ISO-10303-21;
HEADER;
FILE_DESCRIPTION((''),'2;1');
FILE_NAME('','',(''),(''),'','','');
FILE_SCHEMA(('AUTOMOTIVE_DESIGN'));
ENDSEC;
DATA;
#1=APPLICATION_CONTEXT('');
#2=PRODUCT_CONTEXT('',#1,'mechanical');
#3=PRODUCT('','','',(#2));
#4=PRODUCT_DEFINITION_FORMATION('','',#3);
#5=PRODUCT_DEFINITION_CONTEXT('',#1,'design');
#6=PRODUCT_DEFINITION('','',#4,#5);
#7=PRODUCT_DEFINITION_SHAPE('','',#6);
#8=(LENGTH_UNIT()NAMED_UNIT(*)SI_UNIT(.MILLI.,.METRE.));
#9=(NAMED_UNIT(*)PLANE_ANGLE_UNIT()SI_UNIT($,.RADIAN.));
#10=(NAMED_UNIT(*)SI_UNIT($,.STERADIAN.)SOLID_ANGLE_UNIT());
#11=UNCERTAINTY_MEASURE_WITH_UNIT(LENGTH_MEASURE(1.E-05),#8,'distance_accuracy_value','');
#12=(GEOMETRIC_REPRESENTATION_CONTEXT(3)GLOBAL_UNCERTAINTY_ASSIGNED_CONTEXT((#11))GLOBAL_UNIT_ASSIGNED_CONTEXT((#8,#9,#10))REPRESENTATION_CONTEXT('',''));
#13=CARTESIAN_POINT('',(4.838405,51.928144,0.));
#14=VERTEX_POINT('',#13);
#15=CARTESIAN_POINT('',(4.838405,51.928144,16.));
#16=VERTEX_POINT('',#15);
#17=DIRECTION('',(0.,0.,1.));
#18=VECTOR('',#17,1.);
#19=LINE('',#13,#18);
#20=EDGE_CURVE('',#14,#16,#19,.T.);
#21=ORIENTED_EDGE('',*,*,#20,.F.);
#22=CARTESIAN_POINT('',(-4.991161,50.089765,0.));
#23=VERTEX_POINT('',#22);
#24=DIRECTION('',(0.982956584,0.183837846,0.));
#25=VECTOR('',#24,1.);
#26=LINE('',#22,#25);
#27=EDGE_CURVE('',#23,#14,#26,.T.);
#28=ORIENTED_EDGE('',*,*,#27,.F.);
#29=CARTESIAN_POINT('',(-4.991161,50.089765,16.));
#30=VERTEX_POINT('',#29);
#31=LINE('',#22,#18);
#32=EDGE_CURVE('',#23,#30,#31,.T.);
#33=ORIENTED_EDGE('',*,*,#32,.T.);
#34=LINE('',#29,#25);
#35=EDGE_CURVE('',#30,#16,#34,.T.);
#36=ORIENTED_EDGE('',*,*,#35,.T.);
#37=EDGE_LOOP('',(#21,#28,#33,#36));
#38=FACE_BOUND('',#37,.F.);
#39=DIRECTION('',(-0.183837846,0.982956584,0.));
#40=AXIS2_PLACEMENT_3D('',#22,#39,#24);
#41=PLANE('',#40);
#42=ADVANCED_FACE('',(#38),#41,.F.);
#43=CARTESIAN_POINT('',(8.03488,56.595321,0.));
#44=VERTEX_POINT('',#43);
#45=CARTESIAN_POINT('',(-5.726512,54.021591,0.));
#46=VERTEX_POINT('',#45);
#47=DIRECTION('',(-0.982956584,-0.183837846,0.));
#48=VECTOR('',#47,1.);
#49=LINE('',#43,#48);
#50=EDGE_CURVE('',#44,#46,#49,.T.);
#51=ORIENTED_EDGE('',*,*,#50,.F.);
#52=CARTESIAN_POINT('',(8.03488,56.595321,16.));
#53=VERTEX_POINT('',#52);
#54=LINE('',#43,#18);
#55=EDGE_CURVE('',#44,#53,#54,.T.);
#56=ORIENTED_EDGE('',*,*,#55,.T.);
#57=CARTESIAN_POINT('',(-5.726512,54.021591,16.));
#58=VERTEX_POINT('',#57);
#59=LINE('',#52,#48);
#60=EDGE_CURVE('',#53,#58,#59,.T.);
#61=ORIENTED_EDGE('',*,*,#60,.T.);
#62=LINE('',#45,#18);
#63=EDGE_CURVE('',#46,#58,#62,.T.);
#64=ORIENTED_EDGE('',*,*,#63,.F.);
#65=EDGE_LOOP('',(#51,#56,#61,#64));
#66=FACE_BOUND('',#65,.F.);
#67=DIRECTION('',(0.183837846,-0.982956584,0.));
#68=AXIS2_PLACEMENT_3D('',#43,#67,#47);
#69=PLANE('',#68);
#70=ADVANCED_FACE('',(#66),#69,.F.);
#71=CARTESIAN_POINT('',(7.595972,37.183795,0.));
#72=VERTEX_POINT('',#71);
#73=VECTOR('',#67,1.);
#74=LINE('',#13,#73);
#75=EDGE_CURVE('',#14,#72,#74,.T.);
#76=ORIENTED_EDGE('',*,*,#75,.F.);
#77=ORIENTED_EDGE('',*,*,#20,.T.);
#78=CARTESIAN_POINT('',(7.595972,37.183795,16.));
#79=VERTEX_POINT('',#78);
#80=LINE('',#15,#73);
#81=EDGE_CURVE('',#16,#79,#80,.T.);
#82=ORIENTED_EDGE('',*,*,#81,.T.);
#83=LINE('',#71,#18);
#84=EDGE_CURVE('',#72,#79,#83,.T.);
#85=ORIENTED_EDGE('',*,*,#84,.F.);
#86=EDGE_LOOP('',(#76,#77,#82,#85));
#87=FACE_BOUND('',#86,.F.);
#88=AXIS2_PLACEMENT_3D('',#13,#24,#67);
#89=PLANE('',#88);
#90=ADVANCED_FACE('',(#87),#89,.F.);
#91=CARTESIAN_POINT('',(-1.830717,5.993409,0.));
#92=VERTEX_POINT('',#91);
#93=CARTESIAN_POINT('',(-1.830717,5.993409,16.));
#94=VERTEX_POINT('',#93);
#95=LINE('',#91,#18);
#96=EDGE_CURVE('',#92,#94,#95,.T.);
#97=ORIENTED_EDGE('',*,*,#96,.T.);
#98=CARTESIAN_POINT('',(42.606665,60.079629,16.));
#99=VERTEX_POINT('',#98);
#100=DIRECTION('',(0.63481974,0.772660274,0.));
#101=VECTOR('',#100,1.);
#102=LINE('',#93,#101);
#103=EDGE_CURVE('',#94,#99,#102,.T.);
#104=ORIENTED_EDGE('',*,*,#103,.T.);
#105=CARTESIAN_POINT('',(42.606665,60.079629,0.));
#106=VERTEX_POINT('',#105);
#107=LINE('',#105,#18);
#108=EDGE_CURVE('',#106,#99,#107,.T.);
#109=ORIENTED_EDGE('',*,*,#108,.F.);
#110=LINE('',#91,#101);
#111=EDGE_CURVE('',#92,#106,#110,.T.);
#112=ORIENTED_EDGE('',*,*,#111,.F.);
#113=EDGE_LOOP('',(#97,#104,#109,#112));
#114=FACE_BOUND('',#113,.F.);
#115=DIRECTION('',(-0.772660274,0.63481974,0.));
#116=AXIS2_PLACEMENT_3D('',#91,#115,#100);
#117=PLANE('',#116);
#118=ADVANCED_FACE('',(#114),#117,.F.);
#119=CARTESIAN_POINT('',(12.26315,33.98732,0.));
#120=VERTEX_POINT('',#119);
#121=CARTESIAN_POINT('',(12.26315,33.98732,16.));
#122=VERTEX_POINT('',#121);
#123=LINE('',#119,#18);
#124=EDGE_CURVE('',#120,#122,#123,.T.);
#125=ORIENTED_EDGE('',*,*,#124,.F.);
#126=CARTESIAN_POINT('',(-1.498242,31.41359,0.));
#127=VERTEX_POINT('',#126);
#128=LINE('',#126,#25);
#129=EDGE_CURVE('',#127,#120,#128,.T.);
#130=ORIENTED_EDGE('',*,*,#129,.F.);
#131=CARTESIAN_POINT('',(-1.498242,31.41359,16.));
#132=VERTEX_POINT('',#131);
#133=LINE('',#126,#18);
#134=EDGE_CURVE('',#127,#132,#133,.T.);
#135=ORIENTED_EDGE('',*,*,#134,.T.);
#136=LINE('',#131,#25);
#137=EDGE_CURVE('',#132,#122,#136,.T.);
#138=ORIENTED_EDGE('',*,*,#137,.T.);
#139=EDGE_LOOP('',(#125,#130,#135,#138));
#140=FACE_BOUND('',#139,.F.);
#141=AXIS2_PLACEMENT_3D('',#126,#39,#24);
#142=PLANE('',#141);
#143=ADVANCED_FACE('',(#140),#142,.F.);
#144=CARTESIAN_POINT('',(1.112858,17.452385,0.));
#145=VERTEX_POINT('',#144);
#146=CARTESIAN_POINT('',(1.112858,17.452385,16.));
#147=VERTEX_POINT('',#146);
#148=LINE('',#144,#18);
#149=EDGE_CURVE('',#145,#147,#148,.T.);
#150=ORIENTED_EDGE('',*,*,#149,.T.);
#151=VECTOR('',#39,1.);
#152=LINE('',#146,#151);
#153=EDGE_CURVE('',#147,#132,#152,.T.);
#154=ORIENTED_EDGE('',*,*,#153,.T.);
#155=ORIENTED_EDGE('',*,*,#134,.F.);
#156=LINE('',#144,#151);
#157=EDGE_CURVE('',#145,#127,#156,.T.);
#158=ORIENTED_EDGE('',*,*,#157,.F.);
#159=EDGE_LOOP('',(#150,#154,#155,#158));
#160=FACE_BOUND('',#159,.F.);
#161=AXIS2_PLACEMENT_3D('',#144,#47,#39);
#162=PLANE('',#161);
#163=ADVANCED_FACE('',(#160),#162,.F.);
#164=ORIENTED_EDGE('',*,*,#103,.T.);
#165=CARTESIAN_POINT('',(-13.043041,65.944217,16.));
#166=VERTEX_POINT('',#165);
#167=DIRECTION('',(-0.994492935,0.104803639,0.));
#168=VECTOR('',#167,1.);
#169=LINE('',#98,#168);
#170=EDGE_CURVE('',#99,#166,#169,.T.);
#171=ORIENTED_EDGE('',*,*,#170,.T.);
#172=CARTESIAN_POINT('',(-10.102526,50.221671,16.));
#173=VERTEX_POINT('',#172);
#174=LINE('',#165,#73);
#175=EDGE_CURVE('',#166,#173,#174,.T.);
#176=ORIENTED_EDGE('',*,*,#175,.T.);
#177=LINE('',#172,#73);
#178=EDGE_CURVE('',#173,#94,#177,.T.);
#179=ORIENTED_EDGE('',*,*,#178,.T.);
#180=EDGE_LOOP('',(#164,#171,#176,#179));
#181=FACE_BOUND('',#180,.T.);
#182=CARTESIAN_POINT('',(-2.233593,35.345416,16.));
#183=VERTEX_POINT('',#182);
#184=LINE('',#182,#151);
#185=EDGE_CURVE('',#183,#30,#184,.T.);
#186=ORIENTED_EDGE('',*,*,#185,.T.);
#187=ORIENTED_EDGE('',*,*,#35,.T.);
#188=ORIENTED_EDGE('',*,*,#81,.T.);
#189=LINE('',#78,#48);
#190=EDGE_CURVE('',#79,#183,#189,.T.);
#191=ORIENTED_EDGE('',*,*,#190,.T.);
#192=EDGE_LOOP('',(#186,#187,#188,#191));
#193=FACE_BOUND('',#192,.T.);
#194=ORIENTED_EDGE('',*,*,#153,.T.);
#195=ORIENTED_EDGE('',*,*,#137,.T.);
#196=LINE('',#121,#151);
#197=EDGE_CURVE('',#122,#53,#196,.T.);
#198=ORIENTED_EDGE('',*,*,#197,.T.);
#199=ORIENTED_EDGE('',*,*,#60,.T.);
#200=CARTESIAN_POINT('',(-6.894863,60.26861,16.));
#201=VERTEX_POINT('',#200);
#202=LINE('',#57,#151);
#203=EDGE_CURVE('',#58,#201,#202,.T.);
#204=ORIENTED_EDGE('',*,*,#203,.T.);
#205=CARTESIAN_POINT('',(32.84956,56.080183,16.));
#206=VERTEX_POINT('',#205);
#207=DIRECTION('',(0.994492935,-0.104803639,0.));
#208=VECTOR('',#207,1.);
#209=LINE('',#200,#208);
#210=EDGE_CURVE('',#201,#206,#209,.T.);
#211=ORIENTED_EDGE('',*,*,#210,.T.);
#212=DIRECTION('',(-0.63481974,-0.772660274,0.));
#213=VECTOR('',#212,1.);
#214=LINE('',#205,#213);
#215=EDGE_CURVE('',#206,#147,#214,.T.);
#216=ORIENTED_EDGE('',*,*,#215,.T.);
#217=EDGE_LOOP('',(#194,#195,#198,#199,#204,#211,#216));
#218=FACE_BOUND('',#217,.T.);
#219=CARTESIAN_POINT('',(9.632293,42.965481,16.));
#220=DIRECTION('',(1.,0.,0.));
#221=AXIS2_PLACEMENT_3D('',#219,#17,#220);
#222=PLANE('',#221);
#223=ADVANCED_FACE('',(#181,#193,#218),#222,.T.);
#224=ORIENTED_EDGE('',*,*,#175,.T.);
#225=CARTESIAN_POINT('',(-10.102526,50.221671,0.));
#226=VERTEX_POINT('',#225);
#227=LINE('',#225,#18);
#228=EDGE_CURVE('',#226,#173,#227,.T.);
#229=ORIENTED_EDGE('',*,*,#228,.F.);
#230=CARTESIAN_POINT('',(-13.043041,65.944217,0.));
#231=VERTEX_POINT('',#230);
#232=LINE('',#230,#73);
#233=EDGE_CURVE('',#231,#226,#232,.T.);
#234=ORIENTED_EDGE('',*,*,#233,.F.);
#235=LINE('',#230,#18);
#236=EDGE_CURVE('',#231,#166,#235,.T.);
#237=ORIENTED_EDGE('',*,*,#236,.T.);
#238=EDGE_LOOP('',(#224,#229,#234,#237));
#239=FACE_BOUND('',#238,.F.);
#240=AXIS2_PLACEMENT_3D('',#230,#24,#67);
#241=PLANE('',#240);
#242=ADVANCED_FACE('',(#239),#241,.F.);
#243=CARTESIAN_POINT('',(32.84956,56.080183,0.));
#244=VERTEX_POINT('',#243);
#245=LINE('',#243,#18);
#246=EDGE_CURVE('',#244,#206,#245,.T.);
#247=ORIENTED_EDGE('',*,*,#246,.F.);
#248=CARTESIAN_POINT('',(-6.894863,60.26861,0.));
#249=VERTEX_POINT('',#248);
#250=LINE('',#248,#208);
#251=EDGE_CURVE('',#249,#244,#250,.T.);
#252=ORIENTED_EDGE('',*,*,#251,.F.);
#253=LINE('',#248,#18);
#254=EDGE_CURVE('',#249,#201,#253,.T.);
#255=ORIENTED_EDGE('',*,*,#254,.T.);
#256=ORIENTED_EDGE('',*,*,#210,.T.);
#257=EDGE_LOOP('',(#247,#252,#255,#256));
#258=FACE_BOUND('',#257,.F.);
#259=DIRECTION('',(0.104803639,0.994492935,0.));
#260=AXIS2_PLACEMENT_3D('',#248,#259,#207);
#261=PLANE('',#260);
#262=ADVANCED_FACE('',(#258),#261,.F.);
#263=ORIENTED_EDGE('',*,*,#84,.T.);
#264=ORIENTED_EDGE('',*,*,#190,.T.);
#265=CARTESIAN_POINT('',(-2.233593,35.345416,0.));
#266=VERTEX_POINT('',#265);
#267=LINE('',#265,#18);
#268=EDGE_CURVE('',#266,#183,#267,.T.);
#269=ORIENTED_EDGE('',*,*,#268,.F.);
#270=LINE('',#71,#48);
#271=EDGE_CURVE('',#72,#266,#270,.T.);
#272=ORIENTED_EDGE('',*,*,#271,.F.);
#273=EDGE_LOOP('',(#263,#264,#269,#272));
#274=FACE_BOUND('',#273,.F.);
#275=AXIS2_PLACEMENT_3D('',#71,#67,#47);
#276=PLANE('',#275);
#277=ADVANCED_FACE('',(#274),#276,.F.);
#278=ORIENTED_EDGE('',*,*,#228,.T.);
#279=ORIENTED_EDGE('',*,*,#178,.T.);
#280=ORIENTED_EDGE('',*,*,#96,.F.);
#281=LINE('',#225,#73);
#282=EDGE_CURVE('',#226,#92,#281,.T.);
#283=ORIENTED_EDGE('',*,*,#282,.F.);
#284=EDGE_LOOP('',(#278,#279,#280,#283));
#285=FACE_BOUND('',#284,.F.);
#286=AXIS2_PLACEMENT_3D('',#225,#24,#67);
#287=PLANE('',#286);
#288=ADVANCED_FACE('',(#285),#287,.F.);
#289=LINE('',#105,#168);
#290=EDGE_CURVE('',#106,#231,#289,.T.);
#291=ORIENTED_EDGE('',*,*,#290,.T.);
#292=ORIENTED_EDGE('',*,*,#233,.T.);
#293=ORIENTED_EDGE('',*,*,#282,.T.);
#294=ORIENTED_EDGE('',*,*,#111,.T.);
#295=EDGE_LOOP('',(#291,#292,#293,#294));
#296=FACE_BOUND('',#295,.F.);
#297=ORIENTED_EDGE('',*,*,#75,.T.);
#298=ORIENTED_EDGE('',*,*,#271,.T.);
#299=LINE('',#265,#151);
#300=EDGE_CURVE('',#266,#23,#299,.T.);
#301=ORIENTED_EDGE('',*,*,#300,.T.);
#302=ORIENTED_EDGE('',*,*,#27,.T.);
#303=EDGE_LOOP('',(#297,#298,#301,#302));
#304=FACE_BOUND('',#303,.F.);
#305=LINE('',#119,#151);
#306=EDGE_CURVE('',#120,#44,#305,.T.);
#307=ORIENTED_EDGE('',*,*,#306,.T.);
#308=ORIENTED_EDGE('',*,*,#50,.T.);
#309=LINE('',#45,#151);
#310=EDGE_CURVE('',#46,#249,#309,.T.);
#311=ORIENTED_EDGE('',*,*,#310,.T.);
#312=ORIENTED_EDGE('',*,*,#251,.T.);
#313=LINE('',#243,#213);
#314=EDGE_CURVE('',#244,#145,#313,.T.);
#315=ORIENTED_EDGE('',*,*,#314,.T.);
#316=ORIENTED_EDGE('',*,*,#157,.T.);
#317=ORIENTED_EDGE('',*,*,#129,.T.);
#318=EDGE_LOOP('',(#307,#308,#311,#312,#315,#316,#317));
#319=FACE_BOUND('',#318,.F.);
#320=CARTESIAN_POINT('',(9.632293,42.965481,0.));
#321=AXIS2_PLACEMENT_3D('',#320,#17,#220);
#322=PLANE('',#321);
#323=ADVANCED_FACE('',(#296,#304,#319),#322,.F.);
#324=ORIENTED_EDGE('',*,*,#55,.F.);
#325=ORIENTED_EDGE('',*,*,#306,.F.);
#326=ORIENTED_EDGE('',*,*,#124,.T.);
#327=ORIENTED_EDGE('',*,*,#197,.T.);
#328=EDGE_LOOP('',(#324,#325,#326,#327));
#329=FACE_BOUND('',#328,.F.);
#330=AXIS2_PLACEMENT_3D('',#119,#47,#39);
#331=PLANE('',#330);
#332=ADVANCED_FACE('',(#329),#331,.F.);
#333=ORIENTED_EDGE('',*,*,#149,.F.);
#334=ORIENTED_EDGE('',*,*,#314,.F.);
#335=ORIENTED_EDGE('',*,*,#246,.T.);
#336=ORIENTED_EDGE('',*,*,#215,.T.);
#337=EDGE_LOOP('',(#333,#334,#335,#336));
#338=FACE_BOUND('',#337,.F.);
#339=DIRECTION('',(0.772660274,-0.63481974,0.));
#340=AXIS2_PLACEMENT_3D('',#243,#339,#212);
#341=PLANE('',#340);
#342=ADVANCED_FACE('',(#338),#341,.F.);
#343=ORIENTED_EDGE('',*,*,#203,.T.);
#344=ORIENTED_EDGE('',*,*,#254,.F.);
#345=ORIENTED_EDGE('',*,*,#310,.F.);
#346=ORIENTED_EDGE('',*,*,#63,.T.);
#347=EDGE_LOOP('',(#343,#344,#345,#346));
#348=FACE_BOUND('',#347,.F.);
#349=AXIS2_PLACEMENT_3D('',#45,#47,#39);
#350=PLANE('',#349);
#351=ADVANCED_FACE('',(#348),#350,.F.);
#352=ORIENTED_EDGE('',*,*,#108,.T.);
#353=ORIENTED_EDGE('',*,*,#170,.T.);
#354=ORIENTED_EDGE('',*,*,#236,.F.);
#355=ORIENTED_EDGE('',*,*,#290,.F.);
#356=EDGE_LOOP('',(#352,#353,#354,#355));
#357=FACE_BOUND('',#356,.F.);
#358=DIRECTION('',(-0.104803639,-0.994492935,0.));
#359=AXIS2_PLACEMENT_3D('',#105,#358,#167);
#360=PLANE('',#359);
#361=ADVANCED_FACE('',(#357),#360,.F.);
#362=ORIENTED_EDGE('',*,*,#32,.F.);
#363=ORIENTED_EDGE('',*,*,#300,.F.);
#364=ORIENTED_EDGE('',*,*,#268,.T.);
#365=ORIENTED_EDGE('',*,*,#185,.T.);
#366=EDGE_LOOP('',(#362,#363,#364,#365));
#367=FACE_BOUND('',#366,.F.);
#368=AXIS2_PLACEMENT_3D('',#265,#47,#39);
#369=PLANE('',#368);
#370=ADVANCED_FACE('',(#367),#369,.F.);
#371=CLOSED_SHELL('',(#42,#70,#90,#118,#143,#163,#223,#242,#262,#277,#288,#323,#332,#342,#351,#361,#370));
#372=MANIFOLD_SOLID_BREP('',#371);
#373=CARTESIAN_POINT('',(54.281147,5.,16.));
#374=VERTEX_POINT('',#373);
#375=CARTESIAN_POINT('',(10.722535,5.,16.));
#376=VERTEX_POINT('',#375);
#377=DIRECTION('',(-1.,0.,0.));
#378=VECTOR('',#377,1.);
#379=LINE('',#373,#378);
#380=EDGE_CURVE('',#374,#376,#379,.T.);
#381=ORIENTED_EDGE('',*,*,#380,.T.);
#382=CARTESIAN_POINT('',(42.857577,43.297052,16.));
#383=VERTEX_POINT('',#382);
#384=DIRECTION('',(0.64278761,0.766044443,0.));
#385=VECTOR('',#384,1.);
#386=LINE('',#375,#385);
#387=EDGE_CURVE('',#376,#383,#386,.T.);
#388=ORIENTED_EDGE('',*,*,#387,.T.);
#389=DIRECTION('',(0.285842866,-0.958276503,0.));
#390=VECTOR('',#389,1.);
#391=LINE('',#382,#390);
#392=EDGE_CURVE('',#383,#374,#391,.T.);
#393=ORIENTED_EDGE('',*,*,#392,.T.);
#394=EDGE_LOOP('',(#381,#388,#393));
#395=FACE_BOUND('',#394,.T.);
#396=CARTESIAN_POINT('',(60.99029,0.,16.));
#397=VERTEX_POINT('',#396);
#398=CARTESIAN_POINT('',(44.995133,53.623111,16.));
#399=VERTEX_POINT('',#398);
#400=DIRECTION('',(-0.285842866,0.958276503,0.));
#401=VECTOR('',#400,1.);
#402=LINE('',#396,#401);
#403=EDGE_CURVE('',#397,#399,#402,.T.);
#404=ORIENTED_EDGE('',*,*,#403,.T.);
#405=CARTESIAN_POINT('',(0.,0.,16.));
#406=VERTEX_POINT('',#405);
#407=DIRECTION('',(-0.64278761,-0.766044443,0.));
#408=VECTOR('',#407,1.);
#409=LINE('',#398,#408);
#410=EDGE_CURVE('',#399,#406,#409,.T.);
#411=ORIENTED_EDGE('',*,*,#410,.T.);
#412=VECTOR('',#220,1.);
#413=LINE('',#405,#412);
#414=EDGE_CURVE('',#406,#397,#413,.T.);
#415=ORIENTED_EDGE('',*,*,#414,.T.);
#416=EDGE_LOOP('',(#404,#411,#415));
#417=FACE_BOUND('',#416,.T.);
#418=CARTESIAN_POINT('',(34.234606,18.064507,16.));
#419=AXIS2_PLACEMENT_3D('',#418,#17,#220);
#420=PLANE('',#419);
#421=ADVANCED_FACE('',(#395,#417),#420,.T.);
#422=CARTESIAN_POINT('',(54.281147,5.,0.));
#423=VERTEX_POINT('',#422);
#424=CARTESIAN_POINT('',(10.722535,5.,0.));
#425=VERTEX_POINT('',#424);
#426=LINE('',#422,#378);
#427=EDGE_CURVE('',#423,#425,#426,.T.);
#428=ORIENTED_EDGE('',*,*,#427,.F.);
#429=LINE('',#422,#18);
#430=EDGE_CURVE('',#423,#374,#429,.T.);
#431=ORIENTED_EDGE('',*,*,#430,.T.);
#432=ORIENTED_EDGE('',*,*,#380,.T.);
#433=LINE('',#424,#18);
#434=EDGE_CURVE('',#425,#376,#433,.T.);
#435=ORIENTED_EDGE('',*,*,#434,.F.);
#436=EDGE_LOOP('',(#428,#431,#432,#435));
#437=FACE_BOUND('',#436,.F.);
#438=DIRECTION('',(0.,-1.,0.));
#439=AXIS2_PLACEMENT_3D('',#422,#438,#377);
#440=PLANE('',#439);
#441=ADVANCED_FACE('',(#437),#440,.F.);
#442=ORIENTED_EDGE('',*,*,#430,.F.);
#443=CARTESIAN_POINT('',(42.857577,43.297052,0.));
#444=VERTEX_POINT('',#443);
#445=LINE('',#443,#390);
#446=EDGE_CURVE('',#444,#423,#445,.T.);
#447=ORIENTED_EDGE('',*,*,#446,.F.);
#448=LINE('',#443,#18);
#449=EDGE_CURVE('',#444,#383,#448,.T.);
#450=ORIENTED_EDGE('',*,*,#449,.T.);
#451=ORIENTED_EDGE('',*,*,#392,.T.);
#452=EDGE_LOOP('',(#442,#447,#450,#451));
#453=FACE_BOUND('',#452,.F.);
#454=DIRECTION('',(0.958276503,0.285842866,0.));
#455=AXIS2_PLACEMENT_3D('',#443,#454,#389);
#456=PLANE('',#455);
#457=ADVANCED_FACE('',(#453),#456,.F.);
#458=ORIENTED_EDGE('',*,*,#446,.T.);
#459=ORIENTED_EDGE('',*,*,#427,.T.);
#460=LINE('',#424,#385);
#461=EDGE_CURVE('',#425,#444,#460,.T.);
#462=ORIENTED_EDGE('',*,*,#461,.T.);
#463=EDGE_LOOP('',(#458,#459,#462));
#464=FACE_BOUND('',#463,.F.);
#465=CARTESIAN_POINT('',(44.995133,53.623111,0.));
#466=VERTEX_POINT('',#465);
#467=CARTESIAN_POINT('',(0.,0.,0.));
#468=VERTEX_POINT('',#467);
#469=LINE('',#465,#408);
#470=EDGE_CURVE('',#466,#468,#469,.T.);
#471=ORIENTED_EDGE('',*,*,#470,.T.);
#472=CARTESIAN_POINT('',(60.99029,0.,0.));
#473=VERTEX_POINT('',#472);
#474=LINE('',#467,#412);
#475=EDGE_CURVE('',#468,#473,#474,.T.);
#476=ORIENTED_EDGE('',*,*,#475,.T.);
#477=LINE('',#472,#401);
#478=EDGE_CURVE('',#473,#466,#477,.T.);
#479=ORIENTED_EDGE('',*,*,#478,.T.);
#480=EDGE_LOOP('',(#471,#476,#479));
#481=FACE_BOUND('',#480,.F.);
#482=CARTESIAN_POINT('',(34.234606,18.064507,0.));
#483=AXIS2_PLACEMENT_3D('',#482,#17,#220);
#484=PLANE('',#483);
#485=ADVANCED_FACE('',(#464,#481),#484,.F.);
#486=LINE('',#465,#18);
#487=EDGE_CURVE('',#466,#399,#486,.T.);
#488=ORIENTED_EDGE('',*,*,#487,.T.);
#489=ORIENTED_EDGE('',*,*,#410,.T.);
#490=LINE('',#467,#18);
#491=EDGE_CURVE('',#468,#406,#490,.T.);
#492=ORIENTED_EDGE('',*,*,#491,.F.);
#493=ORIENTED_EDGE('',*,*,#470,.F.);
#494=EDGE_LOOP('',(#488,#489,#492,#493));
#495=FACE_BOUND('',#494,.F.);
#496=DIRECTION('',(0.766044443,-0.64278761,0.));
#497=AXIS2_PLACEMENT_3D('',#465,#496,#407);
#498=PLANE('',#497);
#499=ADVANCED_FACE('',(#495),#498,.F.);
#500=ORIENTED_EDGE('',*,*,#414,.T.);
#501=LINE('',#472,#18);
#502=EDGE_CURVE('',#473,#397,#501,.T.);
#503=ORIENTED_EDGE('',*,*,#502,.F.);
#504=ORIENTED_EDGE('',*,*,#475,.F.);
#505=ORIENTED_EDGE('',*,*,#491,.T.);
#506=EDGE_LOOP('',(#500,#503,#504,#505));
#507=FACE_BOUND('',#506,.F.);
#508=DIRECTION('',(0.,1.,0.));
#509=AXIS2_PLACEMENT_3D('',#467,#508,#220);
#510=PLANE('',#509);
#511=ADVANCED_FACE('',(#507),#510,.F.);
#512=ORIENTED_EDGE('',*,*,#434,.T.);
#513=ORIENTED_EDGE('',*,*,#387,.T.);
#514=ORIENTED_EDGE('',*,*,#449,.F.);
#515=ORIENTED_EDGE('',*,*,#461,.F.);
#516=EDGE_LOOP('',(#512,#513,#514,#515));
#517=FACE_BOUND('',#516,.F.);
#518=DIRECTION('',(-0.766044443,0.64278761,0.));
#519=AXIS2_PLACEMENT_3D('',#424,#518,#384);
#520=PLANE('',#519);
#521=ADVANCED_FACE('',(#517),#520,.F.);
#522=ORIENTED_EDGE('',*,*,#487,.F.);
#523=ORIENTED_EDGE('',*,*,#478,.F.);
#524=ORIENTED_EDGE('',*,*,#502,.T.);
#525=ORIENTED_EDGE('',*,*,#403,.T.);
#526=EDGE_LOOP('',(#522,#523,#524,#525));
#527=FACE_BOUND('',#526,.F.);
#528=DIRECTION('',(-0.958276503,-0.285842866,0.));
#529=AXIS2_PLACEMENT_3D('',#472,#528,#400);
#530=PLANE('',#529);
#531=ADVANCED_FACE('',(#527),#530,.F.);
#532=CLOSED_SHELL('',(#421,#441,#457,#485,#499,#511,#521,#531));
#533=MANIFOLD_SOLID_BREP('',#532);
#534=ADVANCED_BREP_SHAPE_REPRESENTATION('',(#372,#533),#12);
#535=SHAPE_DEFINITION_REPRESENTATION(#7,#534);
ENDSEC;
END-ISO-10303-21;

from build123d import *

# Parameters (mm, degrees)
F1_DEPTH = 16


with BuildPart() as f1:
    # F0 (on Top) → F1 (new body)
    with BuildSketch(Plane.XY):
        Polygon((-1.8307172417, 5.993409444), (42.6066645263, 60.0796285909), (-13.0430408452, 65.9442169097), (-10.1025255134, 50.2216713659), align=None)
        Polygon((-2.2335933527, 35.3454163541), (-4.9911610426, 50.0897651168), (4.8384047992, 51.9281435767), (7.5959724891, 37.183794814), align=None, mode=Mode.SUBTRACT)
        Polygon((-6.8948634806, 60.268609607), (32.8495603914, 56.0801834074), (1.1128580143, 17.4523846606), (-1.4982419687, 31.4135900174), (12.2631502098, 33.9873198613), (8.034879752, 56.5953212974), (-5.7265124265, 54.0215914535), align=None, mode=Mode.SUBTRACT)
    extrude(amount=F1_DEPTH)


with BuildPart() as f1b:
    # F0 (on Top) → F1, piece 2 (new body)
    with BuildSketch(Plane.XY):
        Polygon((44.9951326781, 53.6231110183), (0, 0), (44.9951326781, 0), (60.9902903451, 0), align=None)
        Polygon((10.7225346025, 5), (42.8575767091, 43.2970518787), (54.2811470942, 5), align=None, mode=Mode.SUBTRACT)
    extrude(amount=F1_DEPTH)


solid = Compound([f1.part, f1b.part])
